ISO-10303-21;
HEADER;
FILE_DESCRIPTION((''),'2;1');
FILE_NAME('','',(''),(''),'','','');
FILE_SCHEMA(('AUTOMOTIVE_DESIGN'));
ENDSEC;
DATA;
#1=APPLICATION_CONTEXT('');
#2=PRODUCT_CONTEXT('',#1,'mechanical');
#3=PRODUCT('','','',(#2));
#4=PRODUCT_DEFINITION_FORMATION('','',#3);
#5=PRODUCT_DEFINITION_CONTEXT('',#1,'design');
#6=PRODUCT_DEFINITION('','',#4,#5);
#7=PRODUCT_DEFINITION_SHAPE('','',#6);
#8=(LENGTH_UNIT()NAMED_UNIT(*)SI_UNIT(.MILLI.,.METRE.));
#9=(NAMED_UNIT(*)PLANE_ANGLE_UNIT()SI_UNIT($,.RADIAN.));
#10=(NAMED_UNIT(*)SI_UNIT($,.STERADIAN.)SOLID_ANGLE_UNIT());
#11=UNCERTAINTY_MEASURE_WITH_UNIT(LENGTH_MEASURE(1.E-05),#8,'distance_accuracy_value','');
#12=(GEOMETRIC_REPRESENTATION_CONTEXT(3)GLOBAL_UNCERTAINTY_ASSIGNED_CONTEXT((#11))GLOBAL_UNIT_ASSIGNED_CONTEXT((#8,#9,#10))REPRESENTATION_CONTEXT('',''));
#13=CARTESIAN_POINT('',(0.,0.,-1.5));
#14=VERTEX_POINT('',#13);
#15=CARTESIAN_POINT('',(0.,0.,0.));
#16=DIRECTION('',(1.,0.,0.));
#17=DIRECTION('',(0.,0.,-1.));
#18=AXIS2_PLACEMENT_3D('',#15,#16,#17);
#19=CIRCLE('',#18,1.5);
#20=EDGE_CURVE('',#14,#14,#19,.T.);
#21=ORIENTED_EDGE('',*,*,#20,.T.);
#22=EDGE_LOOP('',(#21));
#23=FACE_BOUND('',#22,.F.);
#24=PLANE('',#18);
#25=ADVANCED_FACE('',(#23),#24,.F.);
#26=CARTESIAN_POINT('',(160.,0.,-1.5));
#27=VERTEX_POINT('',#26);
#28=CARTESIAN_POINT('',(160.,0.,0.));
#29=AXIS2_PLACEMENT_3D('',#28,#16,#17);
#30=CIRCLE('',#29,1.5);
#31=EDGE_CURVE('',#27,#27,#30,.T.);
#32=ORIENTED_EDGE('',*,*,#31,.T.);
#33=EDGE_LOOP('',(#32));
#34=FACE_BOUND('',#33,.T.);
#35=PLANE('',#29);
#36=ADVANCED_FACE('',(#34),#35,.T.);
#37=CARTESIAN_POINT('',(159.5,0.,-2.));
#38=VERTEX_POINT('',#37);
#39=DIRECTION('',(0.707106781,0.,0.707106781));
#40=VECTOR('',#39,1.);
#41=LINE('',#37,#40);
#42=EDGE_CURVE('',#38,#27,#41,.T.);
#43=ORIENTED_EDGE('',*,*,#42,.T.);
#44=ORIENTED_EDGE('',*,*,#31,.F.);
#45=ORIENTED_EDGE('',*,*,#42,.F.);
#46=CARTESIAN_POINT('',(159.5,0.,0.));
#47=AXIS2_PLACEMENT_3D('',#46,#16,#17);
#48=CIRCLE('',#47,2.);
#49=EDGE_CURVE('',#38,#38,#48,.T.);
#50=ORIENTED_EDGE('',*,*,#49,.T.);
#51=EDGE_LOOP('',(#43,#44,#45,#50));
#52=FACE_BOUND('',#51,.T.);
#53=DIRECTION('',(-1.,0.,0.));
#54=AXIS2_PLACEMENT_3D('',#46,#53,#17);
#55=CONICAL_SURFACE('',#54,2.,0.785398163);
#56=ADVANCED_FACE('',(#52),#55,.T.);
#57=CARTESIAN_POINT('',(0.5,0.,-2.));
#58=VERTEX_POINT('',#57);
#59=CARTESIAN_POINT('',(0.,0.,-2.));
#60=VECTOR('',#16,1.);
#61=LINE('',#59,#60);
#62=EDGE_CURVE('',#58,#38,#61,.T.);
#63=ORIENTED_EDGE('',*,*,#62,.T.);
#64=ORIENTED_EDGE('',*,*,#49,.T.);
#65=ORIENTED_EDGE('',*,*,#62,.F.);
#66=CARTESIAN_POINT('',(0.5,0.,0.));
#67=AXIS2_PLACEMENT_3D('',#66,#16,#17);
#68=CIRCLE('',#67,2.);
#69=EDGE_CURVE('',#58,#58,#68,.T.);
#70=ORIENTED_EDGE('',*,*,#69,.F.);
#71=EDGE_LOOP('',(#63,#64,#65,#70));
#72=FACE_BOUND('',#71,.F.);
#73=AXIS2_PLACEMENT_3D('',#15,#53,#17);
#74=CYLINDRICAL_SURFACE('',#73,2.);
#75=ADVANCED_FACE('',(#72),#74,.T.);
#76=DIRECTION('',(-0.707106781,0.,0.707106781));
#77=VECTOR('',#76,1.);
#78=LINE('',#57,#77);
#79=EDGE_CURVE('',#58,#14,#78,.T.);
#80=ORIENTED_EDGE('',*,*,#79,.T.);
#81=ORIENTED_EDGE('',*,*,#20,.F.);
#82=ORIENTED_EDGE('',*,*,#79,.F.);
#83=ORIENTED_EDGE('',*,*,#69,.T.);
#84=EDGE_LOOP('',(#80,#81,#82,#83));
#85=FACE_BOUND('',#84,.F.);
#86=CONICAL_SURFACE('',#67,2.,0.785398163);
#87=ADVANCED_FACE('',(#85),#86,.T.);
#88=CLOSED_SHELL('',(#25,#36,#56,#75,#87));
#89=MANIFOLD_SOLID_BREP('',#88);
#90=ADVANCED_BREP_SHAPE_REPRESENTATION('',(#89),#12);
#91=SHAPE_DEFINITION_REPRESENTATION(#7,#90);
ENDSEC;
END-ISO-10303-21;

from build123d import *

# Parameters (mm, degrees)
SKETCH2_R           = 2
BOSS_EXTRUDE2_DEPTH = 160
CHAMFER2_SIZE       = 0.5


with BuildPart() as part:
    # Sketch2 → Boss-Extrude2 (new body)
    with BuildSketch(Plane(origin=(0, 0, 0), x_dir=(0, 0, -1), z_dir=(1, 0, 0))):
        Circle(SKETCH2_R)
    extrude(amount=BOSS_EXTRUDE2_DEPTH)

    # Chamfer2
    chamfer2_edges = [part.edges().sort_by_distance(p)[0] for p in [
        (0, 0, 2),
        (160, 0, 2),
    ]]
    chamfer(chamfer2_edges, length=CHAMFER2_SIZE)


solid = part.part
